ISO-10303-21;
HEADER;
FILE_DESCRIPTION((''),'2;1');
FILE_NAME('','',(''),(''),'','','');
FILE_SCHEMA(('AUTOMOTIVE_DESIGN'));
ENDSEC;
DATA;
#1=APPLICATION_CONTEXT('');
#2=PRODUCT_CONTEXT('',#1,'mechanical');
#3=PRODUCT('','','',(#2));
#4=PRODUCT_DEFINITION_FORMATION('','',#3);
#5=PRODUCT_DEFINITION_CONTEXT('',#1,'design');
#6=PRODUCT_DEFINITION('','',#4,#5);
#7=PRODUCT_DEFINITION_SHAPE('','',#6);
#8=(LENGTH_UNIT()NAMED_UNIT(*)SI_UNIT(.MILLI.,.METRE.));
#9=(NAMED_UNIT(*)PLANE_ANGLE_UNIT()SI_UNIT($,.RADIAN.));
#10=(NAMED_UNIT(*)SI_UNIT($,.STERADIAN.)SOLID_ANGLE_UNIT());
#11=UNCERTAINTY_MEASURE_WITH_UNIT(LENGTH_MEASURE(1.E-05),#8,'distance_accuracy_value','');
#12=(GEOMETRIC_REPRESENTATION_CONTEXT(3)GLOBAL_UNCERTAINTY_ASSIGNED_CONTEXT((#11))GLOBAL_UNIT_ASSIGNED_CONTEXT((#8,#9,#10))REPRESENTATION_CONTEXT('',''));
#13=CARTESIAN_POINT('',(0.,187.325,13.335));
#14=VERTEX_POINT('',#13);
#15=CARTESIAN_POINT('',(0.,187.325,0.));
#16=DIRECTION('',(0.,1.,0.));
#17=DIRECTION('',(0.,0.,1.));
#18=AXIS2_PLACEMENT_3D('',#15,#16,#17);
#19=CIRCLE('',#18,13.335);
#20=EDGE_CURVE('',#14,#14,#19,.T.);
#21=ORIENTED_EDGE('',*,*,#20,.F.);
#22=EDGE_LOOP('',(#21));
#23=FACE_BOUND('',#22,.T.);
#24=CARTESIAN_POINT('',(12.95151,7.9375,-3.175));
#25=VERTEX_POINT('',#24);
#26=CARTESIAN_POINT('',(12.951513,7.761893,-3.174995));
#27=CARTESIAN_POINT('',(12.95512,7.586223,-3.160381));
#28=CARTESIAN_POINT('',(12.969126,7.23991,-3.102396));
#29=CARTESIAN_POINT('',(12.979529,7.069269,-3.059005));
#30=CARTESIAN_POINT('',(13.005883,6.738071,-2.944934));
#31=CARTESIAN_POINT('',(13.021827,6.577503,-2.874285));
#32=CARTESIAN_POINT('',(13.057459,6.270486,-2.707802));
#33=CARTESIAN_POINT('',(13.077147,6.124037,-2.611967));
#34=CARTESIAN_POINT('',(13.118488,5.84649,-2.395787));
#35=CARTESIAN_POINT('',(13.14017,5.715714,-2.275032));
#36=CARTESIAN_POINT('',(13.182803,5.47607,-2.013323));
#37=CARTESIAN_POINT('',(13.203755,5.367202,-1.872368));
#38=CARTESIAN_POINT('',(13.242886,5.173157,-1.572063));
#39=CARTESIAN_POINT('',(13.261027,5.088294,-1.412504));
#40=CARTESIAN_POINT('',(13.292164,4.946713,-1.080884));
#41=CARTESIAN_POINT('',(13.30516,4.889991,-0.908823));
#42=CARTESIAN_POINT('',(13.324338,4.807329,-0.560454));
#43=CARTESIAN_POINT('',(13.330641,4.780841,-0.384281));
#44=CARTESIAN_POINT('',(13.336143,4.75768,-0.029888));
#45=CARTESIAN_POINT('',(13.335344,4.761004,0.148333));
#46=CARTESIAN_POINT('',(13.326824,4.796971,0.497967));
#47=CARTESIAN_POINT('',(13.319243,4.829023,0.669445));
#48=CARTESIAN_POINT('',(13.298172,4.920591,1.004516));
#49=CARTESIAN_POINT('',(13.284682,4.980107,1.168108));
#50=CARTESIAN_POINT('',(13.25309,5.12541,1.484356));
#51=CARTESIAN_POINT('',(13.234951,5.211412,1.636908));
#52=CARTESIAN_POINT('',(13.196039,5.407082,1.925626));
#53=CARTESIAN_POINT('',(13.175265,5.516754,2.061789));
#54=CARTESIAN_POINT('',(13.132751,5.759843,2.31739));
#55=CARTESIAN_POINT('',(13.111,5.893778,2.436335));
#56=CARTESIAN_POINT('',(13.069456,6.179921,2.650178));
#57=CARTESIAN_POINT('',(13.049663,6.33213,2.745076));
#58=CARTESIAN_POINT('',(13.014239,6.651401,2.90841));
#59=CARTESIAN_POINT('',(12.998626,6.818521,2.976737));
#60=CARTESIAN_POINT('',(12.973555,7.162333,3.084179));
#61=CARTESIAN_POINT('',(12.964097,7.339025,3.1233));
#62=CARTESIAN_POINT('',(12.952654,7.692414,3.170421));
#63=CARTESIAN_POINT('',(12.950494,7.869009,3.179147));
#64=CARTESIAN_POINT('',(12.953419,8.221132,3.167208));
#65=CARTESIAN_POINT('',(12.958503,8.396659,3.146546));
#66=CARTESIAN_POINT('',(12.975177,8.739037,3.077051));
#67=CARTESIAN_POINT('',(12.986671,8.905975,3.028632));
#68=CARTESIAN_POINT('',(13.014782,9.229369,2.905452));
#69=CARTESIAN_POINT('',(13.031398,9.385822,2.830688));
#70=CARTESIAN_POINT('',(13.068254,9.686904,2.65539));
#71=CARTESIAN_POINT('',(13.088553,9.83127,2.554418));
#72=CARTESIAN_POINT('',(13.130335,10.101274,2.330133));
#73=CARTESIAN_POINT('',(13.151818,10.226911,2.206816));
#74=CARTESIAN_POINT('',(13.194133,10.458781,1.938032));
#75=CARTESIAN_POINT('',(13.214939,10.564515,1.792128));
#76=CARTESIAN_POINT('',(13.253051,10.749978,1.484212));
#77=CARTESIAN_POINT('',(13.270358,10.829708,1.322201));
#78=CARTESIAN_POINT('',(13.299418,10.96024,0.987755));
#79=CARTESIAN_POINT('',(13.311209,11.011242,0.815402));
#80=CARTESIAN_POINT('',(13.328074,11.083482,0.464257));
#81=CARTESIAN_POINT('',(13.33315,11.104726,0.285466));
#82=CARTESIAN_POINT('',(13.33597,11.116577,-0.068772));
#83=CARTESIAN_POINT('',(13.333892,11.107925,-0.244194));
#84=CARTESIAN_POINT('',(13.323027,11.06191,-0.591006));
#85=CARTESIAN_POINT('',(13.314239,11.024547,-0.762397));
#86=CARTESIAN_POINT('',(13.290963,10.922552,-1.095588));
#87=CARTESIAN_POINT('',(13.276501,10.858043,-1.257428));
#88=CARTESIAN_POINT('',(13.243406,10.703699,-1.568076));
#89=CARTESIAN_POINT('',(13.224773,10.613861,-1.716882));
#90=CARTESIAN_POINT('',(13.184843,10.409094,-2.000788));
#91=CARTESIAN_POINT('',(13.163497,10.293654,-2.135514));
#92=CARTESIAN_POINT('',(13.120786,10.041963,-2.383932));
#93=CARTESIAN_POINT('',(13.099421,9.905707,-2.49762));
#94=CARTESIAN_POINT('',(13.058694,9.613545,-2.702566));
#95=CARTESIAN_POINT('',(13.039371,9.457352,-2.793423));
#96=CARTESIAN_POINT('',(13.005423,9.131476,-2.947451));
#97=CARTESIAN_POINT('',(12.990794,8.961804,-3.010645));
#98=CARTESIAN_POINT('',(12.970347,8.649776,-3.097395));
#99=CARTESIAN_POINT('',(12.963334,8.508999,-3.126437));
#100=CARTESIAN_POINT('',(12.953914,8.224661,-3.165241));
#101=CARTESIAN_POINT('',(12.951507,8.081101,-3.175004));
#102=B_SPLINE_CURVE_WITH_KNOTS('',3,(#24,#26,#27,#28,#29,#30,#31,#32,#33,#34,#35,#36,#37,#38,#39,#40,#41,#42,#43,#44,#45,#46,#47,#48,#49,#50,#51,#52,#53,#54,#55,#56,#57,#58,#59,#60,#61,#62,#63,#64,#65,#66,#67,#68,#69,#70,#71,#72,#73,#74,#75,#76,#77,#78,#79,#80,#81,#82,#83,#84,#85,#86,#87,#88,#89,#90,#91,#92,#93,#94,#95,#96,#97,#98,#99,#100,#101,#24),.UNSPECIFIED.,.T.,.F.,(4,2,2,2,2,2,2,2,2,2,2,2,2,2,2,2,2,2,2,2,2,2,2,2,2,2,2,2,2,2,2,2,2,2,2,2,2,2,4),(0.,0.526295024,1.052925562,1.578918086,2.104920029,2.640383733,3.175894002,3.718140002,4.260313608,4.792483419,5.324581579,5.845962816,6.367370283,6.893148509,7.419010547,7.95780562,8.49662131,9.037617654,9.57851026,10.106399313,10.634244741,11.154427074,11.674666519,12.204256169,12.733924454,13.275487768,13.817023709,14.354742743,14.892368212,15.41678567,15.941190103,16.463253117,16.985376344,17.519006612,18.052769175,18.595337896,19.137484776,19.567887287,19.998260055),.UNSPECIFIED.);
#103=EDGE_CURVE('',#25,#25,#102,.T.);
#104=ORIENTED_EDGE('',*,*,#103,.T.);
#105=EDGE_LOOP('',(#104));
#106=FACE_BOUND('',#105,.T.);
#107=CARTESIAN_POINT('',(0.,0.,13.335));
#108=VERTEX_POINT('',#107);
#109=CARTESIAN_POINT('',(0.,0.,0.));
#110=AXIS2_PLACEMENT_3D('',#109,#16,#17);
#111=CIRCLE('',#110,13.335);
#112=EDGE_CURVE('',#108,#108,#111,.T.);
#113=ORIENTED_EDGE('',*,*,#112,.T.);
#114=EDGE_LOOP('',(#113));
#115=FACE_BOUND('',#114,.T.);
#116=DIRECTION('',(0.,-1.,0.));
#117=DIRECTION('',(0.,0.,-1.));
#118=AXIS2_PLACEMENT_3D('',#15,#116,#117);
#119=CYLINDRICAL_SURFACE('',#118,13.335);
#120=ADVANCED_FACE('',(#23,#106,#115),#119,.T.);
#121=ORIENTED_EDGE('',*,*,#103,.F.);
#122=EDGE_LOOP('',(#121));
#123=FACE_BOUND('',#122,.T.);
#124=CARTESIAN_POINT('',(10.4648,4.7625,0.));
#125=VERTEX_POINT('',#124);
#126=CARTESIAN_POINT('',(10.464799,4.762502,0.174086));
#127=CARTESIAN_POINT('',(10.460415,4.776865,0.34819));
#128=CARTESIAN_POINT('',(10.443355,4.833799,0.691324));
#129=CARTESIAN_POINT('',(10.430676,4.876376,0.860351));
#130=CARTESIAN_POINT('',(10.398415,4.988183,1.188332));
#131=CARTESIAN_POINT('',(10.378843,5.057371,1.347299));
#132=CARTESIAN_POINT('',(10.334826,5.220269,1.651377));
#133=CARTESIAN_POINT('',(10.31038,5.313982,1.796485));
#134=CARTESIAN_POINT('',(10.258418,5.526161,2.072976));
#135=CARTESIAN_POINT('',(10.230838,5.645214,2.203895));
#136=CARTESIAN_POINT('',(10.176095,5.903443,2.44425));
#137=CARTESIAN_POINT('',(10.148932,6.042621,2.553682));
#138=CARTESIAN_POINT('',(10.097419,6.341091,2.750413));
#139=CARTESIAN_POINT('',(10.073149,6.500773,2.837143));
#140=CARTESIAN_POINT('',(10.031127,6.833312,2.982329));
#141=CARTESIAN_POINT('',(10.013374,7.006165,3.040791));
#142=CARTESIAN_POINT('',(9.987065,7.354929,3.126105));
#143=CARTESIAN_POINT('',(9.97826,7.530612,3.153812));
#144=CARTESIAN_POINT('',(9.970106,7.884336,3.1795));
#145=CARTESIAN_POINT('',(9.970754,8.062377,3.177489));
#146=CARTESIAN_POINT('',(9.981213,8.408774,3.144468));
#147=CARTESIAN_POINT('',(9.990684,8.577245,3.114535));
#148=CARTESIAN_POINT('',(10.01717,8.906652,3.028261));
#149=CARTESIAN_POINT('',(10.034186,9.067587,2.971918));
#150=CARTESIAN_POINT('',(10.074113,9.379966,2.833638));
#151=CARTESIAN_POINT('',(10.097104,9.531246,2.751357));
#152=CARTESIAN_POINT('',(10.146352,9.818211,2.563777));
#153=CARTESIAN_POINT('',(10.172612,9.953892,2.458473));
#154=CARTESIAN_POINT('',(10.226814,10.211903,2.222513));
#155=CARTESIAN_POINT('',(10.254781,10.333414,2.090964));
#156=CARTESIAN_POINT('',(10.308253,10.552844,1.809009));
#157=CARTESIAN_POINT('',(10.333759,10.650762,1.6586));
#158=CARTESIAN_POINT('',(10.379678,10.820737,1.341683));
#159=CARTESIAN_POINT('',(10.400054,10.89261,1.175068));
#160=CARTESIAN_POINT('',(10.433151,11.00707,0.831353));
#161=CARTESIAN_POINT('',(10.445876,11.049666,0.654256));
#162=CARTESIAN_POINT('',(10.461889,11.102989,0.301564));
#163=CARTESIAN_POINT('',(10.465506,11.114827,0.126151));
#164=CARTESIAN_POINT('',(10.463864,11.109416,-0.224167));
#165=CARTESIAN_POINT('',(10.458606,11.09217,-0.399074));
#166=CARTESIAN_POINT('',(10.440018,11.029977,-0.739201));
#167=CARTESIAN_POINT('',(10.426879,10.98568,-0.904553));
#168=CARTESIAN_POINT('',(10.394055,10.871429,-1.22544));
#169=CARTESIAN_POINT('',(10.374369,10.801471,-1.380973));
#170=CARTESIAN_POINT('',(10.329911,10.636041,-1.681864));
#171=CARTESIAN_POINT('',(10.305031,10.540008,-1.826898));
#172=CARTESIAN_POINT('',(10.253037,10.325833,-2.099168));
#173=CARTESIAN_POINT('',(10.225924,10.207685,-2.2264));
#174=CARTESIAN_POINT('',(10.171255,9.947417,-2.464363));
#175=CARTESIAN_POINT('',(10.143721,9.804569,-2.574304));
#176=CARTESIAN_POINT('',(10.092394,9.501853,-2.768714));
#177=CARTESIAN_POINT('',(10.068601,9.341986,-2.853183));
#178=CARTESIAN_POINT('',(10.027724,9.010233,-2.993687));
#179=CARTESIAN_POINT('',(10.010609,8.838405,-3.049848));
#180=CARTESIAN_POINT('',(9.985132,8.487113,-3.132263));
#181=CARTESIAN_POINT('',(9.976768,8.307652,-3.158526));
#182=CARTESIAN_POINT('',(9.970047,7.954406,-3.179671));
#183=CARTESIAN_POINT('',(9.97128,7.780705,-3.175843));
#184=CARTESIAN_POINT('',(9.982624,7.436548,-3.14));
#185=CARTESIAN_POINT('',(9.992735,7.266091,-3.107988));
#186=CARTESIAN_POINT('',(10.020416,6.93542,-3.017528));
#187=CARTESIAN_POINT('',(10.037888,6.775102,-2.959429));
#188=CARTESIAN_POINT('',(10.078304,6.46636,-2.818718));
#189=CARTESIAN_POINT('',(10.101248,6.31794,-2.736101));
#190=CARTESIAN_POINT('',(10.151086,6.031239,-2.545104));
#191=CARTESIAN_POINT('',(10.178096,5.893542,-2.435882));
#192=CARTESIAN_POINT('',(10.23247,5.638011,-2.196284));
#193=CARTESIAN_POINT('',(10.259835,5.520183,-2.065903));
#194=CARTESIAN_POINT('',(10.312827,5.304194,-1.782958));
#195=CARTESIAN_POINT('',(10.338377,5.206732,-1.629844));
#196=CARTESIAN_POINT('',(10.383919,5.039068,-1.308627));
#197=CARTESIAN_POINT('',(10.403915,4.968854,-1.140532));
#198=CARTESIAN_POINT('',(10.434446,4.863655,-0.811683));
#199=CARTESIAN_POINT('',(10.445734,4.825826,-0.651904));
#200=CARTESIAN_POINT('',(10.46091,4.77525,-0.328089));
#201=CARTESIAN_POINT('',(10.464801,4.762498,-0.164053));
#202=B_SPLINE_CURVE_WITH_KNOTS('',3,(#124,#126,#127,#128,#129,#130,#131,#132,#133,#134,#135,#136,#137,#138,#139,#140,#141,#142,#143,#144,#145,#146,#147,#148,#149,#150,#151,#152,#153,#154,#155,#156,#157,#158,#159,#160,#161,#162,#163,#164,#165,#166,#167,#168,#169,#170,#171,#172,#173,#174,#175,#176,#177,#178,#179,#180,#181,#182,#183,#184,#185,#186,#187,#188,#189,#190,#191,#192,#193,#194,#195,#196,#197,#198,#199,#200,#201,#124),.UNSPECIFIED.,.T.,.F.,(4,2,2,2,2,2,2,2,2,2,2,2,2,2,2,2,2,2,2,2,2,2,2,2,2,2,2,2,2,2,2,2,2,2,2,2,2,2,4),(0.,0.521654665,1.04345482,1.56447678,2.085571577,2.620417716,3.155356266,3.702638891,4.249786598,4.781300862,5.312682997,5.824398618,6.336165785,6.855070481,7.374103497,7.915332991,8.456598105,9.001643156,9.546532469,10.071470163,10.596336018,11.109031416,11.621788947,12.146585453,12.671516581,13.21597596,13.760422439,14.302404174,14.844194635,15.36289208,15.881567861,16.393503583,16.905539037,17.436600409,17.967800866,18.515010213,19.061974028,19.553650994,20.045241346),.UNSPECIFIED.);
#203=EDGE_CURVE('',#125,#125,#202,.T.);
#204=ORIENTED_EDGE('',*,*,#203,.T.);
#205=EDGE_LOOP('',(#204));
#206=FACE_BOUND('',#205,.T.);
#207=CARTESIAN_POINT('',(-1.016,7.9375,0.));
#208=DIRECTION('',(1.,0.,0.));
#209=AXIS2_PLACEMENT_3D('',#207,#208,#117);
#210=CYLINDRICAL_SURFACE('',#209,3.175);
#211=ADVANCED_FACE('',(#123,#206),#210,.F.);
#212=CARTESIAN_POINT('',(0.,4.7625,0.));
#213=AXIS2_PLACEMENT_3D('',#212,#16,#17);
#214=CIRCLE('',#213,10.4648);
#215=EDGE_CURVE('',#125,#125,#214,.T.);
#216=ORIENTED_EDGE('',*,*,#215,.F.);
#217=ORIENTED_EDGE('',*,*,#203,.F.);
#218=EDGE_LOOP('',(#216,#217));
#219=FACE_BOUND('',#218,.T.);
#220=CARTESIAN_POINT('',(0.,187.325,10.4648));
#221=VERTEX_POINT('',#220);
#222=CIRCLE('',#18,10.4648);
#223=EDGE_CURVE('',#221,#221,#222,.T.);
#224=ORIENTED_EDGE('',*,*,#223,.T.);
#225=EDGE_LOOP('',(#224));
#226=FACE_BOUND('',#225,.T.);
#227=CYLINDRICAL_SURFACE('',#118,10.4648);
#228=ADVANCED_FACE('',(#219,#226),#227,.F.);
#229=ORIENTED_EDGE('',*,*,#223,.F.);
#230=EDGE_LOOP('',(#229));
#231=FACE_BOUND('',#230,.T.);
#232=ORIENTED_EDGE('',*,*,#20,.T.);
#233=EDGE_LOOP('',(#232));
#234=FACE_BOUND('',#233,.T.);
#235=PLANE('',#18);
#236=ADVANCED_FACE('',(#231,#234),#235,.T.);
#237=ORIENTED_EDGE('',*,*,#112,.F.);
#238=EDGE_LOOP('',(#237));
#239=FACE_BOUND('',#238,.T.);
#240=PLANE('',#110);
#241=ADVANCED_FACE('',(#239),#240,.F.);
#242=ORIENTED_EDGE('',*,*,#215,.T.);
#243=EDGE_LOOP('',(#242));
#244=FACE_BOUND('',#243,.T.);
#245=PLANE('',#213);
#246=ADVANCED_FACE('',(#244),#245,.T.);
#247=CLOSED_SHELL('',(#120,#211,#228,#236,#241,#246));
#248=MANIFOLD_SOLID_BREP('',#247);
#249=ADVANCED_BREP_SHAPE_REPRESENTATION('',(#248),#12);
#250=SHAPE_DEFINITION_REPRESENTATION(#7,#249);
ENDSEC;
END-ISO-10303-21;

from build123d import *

# Parameters (mm, degrees)
SKETCH1_R           = 13.335
SKETCH1_R_2         = 10.4648
BOSS_EXTRUDE1_DEPTH = 187.325
SKETCH1_2_R         = 10.4648
BOSS_EXTRUDE2_DEPTH = 4.7625
SKETCH3_R           = 3.175
CUT_EXTRUDE1_DEPTH  = 14.351


with BuildPart() as part:
    # Sketch1 → Boss-Extrude1 (new body)
    with BuildSketch(Plane(origin=(0, 0, 0), x_dir=(1, 0, 0), z_dir=(0, 1, 0))):
        Circle(SKETCH1_R)
        Circle(SKETCH1_R_2, mode=Mode.SUBTRACT)
    extrude(amount=BOSS_EXTRUDE1_DEPTH)

    # Sketch1<2> → Boss-Extrude2 (add)
    with BuildSketch(Plane(origin=(0, 0, 0), x_dir=(1, 0, 0), z_dir=(0, 1, 0))):
        Circle(SKETCH1_2_R)
    extrude(amount=BOSS_EXTRUDE2_DEPTH)

    # Sketch3 → Cut-Extrude1 (cut)
    with BuildSketch(Plane(origin=(13.335, 0, 0), x_dir=(0, 0, -1), z_dir=(1, 0, 0))):
        with Locations((0, 7.9375)):
            Circle(SKETCH3_R)
    extrude(amount=-CUT_EXTRUDE1_DEPTH, mode=Mode.SUBTRACT)


solid = part.part
